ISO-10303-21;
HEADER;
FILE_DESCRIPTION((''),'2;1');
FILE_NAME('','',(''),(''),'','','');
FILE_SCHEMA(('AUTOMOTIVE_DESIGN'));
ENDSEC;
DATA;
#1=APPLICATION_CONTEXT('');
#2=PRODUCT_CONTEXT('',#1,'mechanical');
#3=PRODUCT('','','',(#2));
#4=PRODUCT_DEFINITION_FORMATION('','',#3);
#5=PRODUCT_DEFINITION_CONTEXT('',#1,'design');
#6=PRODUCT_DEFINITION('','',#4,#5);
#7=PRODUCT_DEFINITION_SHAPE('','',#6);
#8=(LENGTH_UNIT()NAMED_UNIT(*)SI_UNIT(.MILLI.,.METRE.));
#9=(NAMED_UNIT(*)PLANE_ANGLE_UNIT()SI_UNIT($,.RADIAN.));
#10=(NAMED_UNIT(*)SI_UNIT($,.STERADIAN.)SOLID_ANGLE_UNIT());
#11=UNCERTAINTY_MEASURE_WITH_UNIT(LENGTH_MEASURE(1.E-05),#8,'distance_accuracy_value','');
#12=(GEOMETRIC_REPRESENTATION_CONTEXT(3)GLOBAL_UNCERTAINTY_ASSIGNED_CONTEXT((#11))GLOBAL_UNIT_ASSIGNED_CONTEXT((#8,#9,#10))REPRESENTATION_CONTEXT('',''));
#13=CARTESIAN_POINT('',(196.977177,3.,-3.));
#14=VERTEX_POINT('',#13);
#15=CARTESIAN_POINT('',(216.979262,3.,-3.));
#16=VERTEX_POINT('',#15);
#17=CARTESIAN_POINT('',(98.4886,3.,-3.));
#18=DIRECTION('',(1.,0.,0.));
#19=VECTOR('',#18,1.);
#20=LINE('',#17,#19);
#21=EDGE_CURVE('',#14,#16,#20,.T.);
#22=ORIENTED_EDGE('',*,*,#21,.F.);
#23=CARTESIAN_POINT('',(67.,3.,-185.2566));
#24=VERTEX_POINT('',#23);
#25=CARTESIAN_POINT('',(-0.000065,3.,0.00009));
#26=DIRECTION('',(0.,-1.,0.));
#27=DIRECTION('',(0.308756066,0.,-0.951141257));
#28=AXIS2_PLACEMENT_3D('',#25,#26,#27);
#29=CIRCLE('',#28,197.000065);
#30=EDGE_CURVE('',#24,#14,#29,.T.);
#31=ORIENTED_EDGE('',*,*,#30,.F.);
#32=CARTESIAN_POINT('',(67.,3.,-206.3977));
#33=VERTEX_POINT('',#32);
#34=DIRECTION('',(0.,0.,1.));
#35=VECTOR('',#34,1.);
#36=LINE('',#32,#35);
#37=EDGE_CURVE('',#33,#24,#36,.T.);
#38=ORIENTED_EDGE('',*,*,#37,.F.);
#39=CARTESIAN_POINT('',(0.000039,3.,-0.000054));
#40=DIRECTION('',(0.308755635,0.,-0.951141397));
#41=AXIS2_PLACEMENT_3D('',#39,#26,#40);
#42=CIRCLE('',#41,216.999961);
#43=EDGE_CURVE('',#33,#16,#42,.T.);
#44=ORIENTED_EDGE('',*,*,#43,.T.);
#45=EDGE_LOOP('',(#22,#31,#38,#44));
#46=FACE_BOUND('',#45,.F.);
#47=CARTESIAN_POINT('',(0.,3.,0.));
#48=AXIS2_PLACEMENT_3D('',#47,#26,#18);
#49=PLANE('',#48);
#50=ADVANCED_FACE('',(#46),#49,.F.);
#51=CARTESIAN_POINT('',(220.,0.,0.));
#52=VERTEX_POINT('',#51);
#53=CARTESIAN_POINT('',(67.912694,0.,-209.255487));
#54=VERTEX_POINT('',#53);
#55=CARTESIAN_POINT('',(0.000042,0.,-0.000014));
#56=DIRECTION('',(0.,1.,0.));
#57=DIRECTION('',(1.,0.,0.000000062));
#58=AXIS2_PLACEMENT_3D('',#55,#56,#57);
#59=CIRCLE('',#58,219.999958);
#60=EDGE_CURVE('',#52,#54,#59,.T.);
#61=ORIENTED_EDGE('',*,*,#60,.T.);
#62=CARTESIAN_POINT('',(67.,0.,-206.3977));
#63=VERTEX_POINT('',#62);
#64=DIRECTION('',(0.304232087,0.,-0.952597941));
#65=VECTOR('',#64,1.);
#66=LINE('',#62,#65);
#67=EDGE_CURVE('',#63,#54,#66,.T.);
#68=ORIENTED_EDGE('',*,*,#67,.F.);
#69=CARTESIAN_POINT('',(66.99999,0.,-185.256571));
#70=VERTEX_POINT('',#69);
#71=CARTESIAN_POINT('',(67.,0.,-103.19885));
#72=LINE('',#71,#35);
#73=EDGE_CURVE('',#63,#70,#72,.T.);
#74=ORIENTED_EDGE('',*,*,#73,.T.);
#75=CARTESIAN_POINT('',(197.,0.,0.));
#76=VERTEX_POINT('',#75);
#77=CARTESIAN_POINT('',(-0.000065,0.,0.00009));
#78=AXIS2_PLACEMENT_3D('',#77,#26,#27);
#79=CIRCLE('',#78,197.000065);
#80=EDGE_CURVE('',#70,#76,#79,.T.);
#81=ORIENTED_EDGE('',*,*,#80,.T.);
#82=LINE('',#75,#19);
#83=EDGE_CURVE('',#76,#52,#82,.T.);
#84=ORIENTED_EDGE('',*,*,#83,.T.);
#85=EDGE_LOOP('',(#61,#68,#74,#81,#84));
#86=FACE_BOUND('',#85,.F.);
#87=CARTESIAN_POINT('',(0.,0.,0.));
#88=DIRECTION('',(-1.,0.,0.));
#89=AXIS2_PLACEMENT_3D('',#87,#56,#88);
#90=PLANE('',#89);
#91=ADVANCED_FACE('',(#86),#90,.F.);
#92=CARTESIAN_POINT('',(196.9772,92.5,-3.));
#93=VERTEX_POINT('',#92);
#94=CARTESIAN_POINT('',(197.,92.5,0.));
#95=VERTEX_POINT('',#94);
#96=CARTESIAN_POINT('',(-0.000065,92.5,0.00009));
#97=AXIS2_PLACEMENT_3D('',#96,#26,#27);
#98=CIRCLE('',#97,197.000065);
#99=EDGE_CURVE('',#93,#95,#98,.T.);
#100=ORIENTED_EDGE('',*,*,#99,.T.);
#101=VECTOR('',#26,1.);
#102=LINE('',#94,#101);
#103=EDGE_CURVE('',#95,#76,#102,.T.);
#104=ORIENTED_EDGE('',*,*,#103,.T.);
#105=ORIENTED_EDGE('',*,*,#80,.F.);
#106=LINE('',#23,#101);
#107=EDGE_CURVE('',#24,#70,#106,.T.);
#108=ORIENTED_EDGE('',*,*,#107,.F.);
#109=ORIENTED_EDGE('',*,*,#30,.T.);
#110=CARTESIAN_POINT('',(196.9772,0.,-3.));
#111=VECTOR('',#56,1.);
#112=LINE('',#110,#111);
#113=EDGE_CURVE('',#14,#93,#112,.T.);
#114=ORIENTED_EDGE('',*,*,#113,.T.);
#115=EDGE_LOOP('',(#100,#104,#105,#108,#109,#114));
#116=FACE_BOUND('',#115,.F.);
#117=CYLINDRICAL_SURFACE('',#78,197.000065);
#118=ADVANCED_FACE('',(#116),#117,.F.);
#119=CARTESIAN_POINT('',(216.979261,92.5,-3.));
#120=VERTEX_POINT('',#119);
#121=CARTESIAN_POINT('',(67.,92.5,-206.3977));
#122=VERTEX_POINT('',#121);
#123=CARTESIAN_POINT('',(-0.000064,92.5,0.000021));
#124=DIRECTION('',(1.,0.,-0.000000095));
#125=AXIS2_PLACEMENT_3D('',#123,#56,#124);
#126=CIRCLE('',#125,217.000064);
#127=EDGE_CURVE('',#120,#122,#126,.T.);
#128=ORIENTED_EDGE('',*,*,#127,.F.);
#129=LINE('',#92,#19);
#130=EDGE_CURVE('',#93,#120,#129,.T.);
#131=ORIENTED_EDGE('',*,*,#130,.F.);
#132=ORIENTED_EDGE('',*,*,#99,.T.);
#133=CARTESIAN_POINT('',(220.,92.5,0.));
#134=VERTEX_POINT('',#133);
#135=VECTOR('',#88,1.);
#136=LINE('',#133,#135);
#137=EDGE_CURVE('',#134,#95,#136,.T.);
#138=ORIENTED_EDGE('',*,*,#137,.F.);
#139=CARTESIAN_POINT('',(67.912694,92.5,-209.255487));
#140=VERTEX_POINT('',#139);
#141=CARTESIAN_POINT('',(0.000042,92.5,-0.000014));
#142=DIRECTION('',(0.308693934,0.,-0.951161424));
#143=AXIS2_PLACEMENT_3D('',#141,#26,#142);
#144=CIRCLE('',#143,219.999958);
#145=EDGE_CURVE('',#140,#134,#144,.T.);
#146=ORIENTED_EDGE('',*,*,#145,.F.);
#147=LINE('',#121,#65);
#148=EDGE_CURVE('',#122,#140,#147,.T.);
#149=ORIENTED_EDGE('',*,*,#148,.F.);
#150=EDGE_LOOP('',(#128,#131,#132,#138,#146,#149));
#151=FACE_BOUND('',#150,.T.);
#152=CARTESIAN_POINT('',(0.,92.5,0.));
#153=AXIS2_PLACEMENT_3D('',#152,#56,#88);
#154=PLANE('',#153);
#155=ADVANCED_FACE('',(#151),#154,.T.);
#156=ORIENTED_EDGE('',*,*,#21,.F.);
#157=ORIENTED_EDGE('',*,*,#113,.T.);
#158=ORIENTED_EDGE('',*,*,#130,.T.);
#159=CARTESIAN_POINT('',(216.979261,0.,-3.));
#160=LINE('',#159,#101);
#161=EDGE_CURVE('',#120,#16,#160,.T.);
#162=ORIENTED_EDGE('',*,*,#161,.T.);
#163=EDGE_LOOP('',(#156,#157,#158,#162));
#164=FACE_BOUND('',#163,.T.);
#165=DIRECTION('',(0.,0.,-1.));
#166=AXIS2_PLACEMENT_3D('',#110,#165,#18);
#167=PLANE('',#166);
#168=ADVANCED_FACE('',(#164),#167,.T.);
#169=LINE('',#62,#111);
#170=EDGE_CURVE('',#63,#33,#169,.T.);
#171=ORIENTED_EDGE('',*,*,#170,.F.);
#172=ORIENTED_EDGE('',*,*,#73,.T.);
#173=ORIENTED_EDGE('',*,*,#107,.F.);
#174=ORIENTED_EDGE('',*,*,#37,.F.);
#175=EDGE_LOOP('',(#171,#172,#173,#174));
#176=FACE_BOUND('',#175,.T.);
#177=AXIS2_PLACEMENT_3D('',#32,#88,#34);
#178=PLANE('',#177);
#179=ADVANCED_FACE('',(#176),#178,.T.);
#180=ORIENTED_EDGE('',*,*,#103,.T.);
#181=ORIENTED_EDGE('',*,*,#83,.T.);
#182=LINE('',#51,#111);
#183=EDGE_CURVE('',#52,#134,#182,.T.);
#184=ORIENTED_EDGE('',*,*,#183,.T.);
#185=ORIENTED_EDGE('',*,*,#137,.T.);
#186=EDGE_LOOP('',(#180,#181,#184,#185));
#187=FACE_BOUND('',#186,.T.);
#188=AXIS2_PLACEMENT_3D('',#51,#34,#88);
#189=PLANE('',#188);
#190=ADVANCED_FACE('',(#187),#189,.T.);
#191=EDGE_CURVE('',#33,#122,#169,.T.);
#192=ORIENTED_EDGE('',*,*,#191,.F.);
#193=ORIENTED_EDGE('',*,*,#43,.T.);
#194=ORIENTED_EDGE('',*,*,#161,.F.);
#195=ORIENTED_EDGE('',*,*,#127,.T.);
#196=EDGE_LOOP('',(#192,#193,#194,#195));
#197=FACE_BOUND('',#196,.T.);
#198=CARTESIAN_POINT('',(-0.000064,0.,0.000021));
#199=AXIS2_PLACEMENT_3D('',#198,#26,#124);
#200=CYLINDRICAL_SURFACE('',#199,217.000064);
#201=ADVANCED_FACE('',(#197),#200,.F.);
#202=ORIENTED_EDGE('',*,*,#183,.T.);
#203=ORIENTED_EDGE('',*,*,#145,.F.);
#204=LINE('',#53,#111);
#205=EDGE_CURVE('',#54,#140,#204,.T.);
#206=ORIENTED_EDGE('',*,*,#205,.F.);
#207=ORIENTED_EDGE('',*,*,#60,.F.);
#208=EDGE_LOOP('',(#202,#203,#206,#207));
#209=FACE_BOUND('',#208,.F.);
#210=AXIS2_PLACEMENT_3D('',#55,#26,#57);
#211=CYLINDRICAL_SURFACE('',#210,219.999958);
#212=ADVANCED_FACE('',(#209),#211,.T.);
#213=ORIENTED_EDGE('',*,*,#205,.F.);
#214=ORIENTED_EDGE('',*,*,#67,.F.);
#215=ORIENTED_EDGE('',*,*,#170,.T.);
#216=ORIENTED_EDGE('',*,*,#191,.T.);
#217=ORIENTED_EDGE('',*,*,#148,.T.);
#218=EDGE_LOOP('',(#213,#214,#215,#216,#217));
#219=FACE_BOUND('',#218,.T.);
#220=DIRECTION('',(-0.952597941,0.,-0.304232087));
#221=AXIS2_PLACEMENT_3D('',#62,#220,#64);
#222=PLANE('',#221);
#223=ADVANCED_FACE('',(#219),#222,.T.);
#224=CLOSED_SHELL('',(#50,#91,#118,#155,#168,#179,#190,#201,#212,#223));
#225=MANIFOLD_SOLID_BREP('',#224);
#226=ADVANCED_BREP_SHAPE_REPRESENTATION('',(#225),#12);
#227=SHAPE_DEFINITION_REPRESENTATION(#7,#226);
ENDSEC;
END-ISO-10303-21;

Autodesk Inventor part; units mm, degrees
ref_plane "YZ Plane" through (0, 0, 0) normal (1, 0, 0) x (0, 1, 0)
ref_plane "XZ Plane" through (0, 0, 0) normal (0, 1, 0) x (-1, 0, 0)
ref_plane "XY Plane" through (0, 0, 0) normal (0, 0, 1) x (1, 0, 0)
sketch "Sketch1" plane through (0, 0, 0) normal (0, 1, 0) x (-1, 0, 0)
  arc A0 (-220, 0) -> (-67, -209.5495) centre (0, 0) ccw
  arc A1 (-217, 0) -> (-67, -206.3977) centre (0, 0) ccw
  line L0 (-220, 0) -> (-217, 0)
  line L1 (0, -220) -> (0, -217)
  line L2 (0, -220) -> (-67, -220)
  line L3 (0, -220) -> (67, -220) construction
  line L4 (-67, -220) -> (-67, -206.3977)
  line L5 (-67, -206.3977) -> (-65.0308, -207.0265)
  line L6 (-67, -206.3977) -> (-68.4601, -210.9695)
  point P0 (-67.9127, -209.2555)
  dimension "d0" = 440
  dimension "d1" = 3
  dimension "d2" = 67
  dimension "d3" = 180
  dimension "d9" = 90
extrude "Extrusion1" add sketch "Sketch1" along normal blind 92.5 contours L0 A1 L6 A0
sketch "Sketch2" plane through (0, 0, 0) normal (0, -1, 0) x (1, 0, 0)
  arc A0 (67, -206.3977) -> (217, 0) centre (0, 0) ccw projected
  arc A1 (60.8249, -187.3748) -> (197, 0) centre (0, 0) ccw
  line L0 (197, 0) -> (217, 0)
  line L1 (60.8249, -187.3748) -> (67, -206.3977)
  dimension "d6" = 20
extrude "Extrusion2" add sketch "Sketch2" against normal blind 3
sketch "Sketch7" plane through (0, 0, 0) normal (0, -1, 0) x (1, 0, 0)
  arc A0 (60.8249, -187.3748) -> (197, 0) centre (0, 0) ccw projected
  arc A1 (67.9127, -209.2555) -> (220, 0) centre (0, 0) ccw projected
  line L0 (197, 0) -> (220, 0) projected
  line L1 (196.9772, -3) -> (219.9795, -3)
  dimension "d28" = 3
extrude "Extrusion6" add sketch "Sketch7" against normal up to surface (92.5 mm away)
sketch "Sketch8" plane through (0, 3, 0) normal (0, 1, 0) x (1, 0, 0)
  arc A0 (196.9772, 3) -> (60.8249, 187.3748) centre (0, 0) ccw projected
  line L0 (67, 206.3977) -> (60.8249, 187.3748) projected
  line L1 (67, 206.3977) -> (67, 185.2566)
  line L2 (67, 206.3977) -> (88.1411, 206.3977) construction
  dimension "d31" = 90
extrude "Extrusion7" cut sketch "Sketch8" against normal blind 10
properties part number "Bottom_Enclosure_1"
